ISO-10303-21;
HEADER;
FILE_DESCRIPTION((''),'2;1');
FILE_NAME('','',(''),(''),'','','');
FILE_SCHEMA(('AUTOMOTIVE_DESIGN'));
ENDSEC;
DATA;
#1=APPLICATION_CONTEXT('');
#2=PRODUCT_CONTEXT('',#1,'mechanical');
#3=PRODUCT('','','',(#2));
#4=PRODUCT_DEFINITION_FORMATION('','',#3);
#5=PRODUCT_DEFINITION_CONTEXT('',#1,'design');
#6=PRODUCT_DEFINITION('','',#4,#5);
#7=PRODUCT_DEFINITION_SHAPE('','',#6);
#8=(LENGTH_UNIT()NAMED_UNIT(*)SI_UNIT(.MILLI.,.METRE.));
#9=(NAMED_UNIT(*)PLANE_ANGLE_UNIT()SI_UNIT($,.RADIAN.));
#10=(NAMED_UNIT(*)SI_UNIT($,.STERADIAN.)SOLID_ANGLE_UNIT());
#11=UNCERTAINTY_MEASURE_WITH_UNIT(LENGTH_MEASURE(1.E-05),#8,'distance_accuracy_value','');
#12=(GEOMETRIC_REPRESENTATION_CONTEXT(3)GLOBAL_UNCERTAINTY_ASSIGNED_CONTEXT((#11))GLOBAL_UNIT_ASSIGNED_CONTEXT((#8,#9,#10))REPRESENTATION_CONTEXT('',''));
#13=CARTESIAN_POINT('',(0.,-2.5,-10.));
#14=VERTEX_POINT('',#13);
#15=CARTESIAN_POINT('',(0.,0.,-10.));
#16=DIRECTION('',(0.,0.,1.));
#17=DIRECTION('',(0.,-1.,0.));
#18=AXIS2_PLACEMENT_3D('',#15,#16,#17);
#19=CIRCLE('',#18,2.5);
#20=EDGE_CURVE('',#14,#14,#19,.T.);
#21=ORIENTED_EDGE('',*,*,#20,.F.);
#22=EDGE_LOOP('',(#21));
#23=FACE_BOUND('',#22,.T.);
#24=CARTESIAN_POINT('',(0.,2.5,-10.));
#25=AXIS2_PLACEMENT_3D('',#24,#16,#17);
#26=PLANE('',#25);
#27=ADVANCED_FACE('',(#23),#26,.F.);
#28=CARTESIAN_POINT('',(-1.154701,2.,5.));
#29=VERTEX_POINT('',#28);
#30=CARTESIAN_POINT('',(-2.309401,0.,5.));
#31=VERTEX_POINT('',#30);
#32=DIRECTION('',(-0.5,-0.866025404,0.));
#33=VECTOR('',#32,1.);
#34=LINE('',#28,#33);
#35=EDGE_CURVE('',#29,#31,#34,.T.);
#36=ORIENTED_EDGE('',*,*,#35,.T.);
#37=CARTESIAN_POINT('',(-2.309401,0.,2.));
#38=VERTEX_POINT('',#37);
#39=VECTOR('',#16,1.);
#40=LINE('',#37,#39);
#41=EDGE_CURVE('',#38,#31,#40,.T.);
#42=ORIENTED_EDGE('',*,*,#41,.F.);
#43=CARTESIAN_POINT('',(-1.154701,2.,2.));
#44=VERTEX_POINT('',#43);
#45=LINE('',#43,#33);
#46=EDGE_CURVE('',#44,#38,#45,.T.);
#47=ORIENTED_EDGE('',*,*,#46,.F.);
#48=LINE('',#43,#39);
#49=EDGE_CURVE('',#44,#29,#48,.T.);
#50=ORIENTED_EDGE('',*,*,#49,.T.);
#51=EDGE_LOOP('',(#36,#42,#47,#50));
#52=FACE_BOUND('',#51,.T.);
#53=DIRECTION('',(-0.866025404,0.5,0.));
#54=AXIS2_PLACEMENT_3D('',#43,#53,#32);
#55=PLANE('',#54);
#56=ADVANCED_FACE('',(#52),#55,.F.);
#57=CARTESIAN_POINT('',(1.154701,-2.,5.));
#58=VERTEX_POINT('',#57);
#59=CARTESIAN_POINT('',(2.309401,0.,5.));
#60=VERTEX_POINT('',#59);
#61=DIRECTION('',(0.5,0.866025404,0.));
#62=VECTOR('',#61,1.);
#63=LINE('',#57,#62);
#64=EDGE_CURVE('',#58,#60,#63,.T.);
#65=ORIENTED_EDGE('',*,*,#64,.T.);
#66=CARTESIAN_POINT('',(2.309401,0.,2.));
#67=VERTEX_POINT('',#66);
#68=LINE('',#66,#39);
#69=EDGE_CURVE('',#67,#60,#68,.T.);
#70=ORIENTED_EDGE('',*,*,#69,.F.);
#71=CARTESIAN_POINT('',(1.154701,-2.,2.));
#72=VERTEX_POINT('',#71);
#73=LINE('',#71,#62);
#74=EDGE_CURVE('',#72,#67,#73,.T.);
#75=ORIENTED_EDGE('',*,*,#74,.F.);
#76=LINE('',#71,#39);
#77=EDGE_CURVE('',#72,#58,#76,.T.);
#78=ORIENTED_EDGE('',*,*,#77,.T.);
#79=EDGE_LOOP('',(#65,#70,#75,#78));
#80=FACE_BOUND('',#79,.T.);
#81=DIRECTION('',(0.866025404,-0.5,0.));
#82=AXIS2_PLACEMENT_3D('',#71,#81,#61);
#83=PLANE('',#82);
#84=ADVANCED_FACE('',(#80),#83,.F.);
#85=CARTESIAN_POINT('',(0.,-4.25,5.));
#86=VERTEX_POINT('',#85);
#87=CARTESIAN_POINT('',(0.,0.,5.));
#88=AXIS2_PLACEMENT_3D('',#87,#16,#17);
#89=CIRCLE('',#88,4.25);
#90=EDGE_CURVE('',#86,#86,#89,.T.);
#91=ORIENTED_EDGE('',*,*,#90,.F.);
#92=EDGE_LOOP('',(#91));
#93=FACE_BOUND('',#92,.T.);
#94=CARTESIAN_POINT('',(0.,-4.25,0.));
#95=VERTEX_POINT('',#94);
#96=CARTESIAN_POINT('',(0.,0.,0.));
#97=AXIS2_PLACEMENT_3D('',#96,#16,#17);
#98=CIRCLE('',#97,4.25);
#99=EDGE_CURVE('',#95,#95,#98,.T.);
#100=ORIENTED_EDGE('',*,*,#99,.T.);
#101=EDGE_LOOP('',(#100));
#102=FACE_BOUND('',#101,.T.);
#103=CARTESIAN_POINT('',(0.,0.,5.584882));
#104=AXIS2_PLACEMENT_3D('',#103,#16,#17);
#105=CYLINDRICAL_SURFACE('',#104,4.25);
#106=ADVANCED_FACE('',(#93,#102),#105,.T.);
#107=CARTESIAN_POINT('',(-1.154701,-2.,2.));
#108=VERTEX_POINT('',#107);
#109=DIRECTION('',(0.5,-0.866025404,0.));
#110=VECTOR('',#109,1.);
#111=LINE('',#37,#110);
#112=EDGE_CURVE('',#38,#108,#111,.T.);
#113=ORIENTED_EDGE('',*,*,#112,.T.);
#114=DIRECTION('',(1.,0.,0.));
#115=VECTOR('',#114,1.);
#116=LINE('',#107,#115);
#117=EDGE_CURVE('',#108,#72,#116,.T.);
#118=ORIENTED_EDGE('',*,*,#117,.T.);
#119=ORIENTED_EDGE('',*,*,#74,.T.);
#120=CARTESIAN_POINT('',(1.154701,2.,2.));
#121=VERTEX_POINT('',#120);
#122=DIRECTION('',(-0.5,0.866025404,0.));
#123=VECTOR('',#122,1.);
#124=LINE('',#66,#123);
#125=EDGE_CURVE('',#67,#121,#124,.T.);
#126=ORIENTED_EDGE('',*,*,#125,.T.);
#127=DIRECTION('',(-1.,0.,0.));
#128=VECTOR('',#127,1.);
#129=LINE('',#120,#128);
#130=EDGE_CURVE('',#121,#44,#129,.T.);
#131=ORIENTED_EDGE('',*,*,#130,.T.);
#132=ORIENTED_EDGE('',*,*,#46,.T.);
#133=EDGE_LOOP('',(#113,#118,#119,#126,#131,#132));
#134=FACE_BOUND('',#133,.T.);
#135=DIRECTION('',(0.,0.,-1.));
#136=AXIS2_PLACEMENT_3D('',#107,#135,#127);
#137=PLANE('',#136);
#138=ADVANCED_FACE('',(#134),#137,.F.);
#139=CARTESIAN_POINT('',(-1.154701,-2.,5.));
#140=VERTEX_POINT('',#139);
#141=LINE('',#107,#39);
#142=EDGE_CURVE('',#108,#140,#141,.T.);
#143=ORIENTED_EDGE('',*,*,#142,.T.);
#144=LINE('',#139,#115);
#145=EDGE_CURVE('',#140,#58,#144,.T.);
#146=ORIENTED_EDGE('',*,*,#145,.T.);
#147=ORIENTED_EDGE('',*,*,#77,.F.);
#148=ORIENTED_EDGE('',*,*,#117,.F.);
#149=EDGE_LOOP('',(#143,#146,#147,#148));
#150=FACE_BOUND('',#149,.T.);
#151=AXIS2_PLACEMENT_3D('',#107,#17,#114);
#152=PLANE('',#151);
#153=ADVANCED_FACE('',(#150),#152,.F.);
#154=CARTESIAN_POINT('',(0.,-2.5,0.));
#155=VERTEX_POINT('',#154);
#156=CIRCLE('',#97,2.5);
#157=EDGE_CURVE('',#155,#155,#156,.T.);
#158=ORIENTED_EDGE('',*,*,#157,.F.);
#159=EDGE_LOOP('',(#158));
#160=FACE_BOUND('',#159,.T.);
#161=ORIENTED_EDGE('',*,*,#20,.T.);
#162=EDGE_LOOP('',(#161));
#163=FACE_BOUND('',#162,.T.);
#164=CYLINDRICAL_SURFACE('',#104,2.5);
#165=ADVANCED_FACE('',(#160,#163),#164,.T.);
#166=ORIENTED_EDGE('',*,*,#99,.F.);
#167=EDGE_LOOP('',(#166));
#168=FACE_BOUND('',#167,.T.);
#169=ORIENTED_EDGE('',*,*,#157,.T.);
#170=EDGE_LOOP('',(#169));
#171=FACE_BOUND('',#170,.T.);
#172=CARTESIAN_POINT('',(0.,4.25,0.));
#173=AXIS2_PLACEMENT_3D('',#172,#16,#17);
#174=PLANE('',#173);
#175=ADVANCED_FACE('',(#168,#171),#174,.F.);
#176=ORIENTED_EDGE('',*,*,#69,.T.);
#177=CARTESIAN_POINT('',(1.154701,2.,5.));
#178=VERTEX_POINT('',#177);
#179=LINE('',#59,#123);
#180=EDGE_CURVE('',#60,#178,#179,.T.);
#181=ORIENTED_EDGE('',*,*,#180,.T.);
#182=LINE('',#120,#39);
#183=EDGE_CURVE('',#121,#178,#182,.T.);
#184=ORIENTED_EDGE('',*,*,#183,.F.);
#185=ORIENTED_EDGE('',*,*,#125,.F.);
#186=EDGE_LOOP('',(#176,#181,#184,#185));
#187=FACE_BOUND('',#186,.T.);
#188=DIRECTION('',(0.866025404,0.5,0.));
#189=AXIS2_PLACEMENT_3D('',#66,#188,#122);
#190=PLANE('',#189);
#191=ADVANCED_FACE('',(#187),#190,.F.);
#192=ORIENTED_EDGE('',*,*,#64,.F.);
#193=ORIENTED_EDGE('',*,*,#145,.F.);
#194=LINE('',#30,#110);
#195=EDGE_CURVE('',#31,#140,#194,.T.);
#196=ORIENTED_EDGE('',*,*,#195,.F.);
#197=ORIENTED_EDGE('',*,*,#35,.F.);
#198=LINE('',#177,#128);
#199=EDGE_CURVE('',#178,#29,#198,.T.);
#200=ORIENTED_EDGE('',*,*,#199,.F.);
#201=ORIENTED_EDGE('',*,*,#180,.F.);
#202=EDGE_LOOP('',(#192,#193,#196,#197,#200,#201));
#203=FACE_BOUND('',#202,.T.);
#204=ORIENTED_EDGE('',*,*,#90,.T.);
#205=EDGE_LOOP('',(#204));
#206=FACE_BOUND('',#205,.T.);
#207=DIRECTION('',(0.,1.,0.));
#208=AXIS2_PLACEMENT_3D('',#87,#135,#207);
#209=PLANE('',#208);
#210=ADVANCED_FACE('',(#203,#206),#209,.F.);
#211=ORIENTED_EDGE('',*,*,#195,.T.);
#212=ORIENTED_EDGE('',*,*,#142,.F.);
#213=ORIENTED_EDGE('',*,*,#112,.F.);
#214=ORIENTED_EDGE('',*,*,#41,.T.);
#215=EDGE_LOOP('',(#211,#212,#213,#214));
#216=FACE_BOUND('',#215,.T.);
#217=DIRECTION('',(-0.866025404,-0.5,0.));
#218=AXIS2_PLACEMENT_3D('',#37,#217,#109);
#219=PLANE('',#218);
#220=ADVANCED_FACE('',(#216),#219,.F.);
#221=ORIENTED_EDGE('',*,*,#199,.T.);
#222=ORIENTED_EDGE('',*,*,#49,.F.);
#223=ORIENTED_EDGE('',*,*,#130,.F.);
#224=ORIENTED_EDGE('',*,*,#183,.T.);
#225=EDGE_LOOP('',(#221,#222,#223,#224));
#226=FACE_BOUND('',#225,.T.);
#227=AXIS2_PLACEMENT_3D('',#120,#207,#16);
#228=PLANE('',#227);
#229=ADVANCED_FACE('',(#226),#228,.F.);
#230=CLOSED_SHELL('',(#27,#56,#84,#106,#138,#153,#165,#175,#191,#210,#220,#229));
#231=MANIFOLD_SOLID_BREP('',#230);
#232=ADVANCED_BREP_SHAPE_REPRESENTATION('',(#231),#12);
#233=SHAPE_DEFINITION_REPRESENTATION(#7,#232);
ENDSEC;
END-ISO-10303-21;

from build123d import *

# Parameters (mm, degrees)
CUT_EXTRUDE1_DEPTH = 3


with BuildPart() as part:
    # Sketch1 → Revolve1 (revolve)
    with BuildSketch(Plane(origin=(0, 0, 0), x_dir=(0, 0, -1), z_dir=(1, 0, 0))):
        Polygon((-5, 0), (-5, 4.25), (0, 4.25), (0, 2.5), (10, 2.5), (10, 0), align=None)
    revolve(axis=Axis((0, 0, 5.584882278), (0, 0, -1)))

    # Sketch2 → Cut-Extrude1 (cut)
    with BuildSketch(Plane.XY.offset(5)):
        Polygon((1.154700538, -2), (2.309401077, 0), (1.154700538, 2), (-1.154700538, 2), (-2.309401077, 0), (-1.154700538, -2), align=None)
    extrude(amount=-CUT_EXTRUDE1_DEPTH, mode=Mode.SUBTRACT)


solid = part.part
